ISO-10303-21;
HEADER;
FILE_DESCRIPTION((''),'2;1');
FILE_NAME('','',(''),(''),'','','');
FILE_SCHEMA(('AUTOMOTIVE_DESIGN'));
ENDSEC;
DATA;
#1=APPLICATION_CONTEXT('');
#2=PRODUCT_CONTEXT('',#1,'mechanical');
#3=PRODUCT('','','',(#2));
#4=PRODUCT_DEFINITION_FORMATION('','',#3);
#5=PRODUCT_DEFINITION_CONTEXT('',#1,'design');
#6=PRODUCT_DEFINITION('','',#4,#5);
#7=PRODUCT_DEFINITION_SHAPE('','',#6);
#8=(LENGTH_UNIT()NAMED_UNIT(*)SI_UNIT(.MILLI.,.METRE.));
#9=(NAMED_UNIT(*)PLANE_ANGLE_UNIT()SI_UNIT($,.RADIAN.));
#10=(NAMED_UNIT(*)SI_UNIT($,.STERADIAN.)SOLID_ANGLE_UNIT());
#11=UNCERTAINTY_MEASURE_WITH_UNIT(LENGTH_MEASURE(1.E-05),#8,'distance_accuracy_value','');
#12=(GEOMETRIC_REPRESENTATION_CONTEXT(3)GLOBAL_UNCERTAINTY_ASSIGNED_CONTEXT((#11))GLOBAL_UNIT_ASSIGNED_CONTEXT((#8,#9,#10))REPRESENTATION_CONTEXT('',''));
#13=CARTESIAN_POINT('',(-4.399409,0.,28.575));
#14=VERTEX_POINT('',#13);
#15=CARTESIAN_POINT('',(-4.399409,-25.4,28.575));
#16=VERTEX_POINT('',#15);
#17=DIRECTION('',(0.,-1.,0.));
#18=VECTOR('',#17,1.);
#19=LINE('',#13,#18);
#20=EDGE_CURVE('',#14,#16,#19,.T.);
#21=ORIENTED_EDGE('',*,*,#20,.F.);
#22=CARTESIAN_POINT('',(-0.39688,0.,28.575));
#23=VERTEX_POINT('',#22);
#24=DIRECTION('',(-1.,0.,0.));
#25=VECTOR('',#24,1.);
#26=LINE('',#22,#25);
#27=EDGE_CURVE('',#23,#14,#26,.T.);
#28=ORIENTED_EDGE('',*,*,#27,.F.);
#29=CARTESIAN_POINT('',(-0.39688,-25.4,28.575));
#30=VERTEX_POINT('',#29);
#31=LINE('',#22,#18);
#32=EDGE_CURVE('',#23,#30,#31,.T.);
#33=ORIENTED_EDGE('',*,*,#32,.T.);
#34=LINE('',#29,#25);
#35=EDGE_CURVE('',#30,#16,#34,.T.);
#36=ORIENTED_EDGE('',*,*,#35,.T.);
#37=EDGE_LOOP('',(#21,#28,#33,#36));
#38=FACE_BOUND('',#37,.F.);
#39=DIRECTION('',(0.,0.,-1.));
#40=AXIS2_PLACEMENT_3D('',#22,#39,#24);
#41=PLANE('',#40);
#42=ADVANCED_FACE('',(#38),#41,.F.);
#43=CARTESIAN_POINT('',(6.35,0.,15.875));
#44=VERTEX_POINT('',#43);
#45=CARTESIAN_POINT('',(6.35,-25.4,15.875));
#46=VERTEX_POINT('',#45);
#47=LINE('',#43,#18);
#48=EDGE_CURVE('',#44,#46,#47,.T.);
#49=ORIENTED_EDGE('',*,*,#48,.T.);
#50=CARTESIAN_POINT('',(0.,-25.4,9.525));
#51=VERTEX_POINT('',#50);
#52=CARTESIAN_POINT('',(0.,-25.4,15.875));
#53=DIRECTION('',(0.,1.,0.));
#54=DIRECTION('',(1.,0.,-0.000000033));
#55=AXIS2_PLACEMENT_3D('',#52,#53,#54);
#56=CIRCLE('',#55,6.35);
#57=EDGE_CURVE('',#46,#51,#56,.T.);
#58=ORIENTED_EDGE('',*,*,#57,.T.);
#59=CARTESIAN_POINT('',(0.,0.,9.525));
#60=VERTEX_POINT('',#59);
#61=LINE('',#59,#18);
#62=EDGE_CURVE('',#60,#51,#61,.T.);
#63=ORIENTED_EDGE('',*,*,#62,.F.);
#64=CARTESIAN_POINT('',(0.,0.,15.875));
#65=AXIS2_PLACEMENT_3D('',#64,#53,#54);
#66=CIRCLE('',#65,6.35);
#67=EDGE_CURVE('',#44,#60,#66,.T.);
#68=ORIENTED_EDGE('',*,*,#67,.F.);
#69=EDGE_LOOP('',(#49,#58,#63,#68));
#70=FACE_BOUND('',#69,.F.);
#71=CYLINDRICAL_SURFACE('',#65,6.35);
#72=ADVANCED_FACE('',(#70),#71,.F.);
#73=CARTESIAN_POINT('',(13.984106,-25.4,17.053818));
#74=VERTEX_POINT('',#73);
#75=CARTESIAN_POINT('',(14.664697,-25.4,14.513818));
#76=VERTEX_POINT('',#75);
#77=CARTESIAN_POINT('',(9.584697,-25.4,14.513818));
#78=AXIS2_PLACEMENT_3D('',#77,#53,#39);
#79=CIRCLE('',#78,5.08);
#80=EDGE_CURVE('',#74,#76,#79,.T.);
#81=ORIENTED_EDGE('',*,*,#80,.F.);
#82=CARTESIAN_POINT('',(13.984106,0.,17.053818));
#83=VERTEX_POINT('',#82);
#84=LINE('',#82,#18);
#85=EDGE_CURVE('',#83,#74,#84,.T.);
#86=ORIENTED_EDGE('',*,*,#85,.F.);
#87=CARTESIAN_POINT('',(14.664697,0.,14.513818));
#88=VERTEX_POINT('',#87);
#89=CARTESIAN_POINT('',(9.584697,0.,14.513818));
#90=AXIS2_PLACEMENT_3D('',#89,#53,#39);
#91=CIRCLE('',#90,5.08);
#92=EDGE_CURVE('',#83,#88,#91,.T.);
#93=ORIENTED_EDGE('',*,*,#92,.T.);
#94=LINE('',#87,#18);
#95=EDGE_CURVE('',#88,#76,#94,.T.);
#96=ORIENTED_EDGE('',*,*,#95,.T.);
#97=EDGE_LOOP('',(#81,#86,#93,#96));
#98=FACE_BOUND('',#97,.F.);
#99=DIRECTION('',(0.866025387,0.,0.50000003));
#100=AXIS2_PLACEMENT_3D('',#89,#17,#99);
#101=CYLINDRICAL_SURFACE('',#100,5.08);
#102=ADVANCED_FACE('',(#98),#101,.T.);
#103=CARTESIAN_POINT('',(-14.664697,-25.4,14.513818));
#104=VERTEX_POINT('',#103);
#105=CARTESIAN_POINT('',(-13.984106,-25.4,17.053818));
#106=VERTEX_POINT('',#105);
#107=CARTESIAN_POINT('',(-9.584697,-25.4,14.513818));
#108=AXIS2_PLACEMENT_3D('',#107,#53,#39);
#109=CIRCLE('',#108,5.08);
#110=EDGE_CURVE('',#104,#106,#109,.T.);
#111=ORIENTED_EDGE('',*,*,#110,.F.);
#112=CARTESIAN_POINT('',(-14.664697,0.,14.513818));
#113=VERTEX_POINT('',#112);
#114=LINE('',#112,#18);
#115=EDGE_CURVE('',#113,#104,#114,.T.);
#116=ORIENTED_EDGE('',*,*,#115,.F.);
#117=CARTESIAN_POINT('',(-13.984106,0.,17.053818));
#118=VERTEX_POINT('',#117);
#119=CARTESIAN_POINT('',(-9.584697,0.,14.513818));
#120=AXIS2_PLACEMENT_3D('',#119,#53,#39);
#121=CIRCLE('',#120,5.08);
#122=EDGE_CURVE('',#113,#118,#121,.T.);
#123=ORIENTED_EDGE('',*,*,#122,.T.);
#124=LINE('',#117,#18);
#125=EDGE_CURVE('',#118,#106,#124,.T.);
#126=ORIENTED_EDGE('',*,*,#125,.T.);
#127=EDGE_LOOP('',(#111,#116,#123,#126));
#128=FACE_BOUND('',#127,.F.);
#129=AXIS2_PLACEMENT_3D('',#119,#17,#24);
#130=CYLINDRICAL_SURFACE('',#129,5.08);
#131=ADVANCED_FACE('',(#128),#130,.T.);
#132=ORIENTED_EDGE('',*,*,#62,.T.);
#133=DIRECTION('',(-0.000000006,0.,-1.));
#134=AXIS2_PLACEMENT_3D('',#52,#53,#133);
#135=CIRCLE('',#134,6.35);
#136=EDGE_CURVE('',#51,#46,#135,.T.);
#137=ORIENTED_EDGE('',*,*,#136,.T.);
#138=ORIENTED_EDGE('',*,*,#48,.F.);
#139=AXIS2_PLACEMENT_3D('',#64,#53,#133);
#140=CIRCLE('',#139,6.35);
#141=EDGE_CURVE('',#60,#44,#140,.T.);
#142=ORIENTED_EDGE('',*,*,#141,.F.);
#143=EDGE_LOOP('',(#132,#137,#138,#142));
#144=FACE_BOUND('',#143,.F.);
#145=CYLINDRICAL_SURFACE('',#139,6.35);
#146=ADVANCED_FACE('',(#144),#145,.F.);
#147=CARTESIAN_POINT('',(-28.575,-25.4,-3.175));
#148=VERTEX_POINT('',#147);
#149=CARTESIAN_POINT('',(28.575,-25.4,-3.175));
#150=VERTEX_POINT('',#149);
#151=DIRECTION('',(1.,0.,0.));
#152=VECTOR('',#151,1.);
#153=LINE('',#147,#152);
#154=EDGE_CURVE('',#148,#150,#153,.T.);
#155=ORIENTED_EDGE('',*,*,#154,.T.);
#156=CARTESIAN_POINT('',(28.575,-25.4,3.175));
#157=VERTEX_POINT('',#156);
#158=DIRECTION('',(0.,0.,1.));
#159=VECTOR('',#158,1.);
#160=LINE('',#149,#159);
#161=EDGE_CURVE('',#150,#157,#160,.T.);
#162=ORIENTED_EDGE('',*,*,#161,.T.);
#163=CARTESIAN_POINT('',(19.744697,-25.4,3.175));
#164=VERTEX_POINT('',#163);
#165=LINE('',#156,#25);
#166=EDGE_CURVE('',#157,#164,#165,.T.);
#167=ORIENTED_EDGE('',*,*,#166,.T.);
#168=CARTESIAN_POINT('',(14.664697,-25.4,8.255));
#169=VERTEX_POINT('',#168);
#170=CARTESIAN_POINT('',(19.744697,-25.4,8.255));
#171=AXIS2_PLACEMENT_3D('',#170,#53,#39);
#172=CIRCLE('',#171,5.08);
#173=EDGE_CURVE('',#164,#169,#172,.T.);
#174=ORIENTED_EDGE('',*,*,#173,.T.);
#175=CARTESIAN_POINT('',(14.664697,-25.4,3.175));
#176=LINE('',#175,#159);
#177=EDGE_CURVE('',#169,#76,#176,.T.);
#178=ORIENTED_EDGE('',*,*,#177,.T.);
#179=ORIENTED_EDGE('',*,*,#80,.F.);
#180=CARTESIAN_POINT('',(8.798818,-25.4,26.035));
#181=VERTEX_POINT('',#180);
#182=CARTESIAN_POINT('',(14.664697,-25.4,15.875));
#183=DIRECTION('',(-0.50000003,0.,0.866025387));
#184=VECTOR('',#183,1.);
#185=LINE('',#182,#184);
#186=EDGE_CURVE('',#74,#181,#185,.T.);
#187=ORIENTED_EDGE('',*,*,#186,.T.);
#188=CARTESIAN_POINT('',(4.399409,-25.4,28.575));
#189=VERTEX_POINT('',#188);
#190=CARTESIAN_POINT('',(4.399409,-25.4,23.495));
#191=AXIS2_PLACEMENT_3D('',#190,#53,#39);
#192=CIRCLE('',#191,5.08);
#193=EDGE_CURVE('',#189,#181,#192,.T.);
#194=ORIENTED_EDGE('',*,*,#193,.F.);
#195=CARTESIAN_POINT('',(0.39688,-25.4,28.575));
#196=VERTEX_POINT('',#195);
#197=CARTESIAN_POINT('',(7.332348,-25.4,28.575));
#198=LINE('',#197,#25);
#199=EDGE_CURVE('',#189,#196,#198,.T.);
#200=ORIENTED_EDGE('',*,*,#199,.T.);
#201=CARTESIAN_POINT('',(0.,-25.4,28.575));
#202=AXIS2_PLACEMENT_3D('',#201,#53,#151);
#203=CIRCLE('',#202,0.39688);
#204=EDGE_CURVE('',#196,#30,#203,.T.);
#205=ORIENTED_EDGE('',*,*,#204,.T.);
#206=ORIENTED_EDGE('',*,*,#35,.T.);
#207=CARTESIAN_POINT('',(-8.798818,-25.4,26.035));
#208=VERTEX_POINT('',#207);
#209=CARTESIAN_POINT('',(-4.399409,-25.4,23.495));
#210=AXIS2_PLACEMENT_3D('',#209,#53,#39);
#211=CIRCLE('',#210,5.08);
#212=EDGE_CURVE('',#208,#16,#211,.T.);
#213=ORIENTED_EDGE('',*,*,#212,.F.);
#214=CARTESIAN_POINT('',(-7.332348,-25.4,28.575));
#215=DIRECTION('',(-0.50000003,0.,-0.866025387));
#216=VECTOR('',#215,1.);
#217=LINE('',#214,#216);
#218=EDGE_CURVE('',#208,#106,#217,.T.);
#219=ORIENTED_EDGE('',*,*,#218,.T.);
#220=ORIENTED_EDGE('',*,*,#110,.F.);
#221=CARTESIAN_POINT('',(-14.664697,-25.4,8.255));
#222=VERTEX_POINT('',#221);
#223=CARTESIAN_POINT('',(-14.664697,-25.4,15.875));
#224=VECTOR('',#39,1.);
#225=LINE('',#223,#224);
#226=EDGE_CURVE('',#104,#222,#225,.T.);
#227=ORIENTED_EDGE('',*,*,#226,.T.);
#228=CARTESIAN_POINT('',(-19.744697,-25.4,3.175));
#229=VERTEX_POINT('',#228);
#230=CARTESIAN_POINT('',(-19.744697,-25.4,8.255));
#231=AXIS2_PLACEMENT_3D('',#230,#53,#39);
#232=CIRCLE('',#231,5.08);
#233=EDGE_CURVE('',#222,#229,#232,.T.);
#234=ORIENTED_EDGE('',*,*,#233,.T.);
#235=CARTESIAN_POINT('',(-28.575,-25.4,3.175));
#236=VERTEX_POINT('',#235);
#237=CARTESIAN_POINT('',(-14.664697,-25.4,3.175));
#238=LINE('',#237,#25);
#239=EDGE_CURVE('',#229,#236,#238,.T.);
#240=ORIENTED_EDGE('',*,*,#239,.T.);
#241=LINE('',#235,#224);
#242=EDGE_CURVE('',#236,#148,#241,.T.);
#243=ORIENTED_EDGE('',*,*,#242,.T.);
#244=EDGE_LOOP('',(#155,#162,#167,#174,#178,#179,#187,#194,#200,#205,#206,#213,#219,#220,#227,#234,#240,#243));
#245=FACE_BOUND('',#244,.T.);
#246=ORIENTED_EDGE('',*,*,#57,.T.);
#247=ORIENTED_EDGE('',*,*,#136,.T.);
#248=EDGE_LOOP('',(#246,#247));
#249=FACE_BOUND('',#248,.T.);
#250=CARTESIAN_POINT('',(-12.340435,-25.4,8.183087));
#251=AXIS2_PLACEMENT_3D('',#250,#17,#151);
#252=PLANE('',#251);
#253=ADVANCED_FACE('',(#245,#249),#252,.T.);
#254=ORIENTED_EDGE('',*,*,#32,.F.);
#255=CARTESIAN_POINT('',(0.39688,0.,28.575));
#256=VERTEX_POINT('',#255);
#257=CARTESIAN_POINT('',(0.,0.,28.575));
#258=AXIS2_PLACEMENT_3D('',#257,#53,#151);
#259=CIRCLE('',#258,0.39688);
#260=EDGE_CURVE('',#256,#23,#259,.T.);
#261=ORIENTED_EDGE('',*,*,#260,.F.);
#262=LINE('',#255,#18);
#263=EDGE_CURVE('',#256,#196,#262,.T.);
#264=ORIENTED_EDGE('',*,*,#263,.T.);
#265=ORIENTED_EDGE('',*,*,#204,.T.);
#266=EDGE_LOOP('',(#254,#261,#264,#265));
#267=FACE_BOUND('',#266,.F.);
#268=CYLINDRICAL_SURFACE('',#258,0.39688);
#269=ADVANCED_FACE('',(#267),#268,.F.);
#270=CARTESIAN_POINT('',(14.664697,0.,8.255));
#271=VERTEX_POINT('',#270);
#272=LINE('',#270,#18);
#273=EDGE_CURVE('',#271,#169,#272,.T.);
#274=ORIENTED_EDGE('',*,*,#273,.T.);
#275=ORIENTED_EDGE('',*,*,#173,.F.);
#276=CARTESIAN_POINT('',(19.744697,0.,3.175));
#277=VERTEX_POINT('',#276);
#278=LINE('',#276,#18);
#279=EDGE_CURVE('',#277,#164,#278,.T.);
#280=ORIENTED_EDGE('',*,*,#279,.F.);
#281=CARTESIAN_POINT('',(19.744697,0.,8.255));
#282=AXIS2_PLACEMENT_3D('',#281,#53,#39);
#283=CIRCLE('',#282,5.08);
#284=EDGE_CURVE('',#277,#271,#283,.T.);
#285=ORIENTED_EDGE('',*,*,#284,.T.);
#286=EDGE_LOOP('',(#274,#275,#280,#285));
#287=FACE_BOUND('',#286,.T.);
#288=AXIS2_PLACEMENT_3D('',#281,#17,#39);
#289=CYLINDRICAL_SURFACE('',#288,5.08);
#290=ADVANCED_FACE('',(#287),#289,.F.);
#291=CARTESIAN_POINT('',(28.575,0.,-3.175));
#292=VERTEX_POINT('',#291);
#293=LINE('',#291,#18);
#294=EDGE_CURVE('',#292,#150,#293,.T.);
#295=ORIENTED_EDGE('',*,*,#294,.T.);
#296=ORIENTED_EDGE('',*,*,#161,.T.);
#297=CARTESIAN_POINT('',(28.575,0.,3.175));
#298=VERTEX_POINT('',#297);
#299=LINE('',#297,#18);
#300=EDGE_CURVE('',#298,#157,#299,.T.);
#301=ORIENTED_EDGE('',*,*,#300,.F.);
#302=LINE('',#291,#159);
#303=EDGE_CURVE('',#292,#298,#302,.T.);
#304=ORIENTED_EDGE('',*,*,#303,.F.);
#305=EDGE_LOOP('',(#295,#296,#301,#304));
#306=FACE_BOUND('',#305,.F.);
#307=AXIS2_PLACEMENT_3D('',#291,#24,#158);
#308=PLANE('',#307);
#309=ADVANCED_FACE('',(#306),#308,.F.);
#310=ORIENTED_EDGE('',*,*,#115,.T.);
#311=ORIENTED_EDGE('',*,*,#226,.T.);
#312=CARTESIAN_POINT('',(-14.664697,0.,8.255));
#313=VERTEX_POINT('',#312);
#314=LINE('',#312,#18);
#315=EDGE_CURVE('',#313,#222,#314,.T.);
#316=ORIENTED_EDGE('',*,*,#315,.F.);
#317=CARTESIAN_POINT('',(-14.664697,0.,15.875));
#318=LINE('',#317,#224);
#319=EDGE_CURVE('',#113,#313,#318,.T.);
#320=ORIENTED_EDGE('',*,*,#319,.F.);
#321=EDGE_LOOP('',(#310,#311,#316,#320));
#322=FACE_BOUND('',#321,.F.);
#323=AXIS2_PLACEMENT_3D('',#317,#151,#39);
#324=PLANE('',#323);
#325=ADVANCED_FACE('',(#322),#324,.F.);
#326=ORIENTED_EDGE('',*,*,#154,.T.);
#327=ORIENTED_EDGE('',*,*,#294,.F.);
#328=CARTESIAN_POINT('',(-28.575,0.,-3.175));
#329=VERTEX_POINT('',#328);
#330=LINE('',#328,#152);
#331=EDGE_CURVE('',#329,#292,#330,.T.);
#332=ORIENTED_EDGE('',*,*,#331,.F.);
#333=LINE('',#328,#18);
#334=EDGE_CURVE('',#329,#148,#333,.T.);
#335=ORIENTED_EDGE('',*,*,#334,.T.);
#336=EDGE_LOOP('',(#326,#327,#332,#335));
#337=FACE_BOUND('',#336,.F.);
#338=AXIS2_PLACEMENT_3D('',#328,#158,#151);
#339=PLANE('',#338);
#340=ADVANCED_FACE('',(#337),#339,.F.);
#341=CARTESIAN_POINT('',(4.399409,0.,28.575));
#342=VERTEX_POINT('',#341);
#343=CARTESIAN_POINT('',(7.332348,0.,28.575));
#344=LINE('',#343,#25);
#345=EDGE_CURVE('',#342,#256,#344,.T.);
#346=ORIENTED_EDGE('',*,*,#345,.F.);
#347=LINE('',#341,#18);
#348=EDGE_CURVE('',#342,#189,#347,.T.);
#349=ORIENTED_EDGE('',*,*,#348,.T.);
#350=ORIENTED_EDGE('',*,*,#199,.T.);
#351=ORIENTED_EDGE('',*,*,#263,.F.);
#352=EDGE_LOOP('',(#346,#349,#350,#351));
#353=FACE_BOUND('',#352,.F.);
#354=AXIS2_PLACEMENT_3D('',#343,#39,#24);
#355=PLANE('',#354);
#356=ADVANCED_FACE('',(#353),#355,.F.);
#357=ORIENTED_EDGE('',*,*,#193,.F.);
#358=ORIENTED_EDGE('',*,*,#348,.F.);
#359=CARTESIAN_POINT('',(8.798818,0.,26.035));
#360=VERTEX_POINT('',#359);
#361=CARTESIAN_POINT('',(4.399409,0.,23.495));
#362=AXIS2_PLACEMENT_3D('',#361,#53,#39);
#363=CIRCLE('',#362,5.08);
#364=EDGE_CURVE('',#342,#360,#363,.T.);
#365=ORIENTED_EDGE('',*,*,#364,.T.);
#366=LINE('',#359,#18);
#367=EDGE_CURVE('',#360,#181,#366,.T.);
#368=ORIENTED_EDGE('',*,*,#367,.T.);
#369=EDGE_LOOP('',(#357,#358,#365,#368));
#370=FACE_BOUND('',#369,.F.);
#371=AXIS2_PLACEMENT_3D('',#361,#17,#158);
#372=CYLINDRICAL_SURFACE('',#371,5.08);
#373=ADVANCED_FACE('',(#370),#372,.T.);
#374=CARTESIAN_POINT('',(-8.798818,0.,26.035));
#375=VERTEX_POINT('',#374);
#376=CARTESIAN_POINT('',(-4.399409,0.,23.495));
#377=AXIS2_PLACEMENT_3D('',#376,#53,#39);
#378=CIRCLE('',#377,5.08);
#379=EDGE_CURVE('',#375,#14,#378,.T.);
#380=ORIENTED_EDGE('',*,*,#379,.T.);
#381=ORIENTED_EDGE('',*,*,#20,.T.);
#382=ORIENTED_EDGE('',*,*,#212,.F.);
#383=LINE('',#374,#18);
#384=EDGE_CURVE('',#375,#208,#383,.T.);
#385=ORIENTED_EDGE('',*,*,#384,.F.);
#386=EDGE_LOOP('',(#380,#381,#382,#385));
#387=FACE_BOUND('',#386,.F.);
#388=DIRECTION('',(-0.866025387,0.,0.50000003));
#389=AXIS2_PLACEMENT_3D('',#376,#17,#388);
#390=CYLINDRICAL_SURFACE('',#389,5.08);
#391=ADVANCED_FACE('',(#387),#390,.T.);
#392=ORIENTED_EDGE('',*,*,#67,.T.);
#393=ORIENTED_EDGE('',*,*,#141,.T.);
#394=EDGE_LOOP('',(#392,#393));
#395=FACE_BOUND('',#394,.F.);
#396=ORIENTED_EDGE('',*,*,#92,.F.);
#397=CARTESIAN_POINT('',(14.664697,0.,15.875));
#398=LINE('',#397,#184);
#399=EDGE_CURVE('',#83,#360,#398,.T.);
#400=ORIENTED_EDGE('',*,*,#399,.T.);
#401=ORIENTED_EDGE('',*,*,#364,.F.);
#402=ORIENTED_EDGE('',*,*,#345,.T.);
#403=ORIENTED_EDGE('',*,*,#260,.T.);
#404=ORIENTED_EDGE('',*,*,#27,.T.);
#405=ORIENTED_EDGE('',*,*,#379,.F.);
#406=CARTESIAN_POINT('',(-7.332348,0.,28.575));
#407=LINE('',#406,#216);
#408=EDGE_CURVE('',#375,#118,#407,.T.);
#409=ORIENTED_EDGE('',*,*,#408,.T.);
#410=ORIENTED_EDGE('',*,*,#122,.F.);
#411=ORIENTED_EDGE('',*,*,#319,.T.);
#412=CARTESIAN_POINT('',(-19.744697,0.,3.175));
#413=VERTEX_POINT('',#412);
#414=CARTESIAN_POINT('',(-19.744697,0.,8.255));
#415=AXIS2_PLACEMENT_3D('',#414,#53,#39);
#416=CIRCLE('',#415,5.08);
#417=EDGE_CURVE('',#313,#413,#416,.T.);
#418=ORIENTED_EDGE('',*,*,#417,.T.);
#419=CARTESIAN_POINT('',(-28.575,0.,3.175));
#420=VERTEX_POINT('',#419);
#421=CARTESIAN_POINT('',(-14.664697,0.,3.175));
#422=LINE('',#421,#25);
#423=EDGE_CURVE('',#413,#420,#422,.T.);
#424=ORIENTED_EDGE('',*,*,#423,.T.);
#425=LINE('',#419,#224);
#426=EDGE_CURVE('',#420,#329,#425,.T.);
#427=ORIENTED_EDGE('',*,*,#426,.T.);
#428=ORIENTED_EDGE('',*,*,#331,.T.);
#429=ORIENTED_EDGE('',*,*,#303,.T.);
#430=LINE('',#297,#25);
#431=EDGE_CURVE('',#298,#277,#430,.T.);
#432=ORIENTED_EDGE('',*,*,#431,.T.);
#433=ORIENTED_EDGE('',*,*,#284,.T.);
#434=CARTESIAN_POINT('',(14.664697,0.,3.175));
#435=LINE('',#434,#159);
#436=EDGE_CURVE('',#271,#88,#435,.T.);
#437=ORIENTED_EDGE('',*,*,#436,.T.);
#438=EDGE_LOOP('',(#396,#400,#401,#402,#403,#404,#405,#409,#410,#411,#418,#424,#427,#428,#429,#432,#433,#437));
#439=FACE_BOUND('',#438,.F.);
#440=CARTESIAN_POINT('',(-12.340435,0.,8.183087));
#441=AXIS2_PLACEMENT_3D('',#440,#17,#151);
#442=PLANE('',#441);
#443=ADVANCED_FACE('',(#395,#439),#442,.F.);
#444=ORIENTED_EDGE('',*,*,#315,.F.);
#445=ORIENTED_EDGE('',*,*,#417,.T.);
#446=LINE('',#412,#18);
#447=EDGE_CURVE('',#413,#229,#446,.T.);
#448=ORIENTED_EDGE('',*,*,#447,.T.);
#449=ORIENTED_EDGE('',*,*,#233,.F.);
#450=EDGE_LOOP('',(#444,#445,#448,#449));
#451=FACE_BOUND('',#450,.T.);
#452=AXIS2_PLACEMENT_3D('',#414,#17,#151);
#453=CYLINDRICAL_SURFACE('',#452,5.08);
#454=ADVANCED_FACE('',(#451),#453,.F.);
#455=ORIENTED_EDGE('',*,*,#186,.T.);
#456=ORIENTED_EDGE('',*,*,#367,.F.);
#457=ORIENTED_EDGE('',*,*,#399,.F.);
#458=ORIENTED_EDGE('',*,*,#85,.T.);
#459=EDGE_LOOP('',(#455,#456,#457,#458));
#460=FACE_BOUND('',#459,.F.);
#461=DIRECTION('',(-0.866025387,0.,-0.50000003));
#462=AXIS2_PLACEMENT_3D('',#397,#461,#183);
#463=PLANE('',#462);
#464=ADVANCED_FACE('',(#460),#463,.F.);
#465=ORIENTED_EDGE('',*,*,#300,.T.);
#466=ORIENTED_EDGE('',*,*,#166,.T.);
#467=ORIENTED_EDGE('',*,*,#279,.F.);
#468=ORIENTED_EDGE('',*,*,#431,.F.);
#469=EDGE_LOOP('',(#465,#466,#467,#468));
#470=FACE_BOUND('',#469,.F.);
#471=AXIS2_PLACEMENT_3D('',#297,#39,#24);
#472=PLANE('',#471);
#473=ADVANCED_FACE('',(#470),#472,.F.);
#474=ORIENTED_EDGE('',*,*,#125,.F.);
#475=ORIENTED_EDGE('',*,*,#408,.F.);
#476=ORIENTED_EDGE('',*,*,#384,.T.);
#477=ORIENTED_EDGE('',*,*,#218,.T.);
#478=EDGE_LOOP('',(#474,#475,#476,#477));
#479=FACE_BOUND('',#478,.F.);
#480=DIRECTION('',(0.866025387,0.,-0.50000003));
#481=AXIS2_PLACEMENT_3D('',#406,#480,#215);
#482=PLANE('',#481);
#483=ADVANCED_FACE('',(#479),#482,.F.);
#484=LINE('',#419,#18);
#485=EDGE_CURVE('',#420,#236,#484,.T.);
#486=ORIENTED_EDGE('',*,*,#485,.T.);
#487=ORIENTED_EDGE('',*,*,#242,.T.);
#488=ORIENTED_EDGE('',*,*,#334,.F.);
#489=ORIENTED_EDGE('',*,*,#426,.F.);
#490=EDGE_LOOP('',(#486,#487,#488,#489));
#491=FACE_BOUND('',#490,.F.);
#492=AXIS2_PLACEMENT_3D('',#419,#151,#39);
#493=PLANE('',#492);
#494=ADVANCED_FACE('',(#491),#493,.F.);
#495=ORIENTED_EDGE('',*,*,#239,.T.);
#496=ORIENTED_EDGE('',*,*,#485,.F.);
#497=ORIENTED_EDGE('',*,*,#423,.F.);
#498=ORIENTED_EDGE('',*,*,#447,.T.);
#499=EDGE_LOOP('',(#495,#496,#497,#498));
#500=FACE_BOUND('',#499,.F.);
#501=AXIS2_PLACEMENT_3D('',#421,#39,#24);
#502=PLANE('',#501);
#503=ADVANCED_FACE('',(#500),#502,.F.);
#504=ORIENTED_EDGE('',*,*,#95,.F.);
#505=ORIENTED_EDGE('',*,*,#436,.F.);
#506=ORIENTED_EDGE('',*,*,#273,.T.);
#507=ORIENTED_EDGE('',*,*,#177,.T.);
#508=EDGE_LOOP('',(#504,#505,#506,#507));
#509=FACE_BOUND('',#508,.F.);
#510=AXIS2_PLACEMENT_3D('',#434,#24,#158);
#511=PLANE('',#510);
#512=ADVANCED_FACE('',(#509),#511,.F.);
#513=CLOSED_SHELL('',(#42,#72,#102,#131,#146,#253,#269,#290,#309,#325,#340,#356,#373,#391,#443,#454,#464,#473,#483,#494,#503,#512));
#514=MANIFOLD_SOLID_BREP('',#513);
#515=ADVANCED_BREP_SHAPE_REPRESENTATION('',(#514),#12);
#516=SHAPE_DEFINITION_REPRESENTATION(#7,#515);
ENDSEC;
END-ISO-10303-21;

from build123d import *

# Parameters (mm, degrees)
F1_DEPTH = 25.4
F2_R     = 5.08


with BuildPart() as f1:
    # F0 (on Front) → F1 (new body)
    with BuildSketch(Plane.XZ):
        Polygon((-14.664697, 15.875), (-14.664697, 3.175), (-7.332348, 3.175), align=None)
        Polygon((14.664697, 15.875), (7.332348, 3.175), (14.664697, 3.175), align=None)
        Polygon((-14.664697, 3.175), (-28.575, 3.175), (-28.575, -3.175), (28.575, -3.175), (28.575, 3.175), (14.664697, 3.175), (7.332348, 3.175), (0, 3.175), (-7.332348, 3.175), align=None)
        with BuildLine():
            Line((-14.664697, 15.875), (-7.332348, 3.175))
            Line((-7.332348, 3.175), (0, 3.175))
            Line((0, 3.175), (7.332348, 3.175))
            Line((7.332348, 3.175), (14.664697, 15.875))
            Line((14.664697, 15.875), (7.332348, 28.575))
            Line((7.332348, 28.575), (0.39688, 28.575))
            ThreePointArc((0.39688, 28.575), (0, 28.17812), (-0.39688, 28.575))
            Line((-0.39688, 28.575), (-7.332348, 28.575))
            Line((-7.332348, 28.575), (-14.664697, 15.875))
        make_face()
        with BuildLine():
            ThreePointArc((6.35, 15.875), (4.490128, 11.384872), (0, 9.525))
            ThreePointArc((0, 9.525), (-4.490128, 20.365128), (6.35, 15.875))
        make_face(mode=Mode.SUBTRACT)
    extrude(amount=F1_DEPTH)

    # F2
    f2_edges = [f1.edges().sort_by_distance(p)[0] for p in [
        (-7.332348, -12.7, 28.575),
        (7.332348, -12.7, 28.575),
        (14.664697, -12.7, 15.875),
        (14.664697, -12.7, 3.175),
        (-14.664697, -12.7, 15.875),
        (-14.664697, -12.7, 3.175),
    ]]
    fillet(f2_edges, radius=F2_R)


solid = f1.part
